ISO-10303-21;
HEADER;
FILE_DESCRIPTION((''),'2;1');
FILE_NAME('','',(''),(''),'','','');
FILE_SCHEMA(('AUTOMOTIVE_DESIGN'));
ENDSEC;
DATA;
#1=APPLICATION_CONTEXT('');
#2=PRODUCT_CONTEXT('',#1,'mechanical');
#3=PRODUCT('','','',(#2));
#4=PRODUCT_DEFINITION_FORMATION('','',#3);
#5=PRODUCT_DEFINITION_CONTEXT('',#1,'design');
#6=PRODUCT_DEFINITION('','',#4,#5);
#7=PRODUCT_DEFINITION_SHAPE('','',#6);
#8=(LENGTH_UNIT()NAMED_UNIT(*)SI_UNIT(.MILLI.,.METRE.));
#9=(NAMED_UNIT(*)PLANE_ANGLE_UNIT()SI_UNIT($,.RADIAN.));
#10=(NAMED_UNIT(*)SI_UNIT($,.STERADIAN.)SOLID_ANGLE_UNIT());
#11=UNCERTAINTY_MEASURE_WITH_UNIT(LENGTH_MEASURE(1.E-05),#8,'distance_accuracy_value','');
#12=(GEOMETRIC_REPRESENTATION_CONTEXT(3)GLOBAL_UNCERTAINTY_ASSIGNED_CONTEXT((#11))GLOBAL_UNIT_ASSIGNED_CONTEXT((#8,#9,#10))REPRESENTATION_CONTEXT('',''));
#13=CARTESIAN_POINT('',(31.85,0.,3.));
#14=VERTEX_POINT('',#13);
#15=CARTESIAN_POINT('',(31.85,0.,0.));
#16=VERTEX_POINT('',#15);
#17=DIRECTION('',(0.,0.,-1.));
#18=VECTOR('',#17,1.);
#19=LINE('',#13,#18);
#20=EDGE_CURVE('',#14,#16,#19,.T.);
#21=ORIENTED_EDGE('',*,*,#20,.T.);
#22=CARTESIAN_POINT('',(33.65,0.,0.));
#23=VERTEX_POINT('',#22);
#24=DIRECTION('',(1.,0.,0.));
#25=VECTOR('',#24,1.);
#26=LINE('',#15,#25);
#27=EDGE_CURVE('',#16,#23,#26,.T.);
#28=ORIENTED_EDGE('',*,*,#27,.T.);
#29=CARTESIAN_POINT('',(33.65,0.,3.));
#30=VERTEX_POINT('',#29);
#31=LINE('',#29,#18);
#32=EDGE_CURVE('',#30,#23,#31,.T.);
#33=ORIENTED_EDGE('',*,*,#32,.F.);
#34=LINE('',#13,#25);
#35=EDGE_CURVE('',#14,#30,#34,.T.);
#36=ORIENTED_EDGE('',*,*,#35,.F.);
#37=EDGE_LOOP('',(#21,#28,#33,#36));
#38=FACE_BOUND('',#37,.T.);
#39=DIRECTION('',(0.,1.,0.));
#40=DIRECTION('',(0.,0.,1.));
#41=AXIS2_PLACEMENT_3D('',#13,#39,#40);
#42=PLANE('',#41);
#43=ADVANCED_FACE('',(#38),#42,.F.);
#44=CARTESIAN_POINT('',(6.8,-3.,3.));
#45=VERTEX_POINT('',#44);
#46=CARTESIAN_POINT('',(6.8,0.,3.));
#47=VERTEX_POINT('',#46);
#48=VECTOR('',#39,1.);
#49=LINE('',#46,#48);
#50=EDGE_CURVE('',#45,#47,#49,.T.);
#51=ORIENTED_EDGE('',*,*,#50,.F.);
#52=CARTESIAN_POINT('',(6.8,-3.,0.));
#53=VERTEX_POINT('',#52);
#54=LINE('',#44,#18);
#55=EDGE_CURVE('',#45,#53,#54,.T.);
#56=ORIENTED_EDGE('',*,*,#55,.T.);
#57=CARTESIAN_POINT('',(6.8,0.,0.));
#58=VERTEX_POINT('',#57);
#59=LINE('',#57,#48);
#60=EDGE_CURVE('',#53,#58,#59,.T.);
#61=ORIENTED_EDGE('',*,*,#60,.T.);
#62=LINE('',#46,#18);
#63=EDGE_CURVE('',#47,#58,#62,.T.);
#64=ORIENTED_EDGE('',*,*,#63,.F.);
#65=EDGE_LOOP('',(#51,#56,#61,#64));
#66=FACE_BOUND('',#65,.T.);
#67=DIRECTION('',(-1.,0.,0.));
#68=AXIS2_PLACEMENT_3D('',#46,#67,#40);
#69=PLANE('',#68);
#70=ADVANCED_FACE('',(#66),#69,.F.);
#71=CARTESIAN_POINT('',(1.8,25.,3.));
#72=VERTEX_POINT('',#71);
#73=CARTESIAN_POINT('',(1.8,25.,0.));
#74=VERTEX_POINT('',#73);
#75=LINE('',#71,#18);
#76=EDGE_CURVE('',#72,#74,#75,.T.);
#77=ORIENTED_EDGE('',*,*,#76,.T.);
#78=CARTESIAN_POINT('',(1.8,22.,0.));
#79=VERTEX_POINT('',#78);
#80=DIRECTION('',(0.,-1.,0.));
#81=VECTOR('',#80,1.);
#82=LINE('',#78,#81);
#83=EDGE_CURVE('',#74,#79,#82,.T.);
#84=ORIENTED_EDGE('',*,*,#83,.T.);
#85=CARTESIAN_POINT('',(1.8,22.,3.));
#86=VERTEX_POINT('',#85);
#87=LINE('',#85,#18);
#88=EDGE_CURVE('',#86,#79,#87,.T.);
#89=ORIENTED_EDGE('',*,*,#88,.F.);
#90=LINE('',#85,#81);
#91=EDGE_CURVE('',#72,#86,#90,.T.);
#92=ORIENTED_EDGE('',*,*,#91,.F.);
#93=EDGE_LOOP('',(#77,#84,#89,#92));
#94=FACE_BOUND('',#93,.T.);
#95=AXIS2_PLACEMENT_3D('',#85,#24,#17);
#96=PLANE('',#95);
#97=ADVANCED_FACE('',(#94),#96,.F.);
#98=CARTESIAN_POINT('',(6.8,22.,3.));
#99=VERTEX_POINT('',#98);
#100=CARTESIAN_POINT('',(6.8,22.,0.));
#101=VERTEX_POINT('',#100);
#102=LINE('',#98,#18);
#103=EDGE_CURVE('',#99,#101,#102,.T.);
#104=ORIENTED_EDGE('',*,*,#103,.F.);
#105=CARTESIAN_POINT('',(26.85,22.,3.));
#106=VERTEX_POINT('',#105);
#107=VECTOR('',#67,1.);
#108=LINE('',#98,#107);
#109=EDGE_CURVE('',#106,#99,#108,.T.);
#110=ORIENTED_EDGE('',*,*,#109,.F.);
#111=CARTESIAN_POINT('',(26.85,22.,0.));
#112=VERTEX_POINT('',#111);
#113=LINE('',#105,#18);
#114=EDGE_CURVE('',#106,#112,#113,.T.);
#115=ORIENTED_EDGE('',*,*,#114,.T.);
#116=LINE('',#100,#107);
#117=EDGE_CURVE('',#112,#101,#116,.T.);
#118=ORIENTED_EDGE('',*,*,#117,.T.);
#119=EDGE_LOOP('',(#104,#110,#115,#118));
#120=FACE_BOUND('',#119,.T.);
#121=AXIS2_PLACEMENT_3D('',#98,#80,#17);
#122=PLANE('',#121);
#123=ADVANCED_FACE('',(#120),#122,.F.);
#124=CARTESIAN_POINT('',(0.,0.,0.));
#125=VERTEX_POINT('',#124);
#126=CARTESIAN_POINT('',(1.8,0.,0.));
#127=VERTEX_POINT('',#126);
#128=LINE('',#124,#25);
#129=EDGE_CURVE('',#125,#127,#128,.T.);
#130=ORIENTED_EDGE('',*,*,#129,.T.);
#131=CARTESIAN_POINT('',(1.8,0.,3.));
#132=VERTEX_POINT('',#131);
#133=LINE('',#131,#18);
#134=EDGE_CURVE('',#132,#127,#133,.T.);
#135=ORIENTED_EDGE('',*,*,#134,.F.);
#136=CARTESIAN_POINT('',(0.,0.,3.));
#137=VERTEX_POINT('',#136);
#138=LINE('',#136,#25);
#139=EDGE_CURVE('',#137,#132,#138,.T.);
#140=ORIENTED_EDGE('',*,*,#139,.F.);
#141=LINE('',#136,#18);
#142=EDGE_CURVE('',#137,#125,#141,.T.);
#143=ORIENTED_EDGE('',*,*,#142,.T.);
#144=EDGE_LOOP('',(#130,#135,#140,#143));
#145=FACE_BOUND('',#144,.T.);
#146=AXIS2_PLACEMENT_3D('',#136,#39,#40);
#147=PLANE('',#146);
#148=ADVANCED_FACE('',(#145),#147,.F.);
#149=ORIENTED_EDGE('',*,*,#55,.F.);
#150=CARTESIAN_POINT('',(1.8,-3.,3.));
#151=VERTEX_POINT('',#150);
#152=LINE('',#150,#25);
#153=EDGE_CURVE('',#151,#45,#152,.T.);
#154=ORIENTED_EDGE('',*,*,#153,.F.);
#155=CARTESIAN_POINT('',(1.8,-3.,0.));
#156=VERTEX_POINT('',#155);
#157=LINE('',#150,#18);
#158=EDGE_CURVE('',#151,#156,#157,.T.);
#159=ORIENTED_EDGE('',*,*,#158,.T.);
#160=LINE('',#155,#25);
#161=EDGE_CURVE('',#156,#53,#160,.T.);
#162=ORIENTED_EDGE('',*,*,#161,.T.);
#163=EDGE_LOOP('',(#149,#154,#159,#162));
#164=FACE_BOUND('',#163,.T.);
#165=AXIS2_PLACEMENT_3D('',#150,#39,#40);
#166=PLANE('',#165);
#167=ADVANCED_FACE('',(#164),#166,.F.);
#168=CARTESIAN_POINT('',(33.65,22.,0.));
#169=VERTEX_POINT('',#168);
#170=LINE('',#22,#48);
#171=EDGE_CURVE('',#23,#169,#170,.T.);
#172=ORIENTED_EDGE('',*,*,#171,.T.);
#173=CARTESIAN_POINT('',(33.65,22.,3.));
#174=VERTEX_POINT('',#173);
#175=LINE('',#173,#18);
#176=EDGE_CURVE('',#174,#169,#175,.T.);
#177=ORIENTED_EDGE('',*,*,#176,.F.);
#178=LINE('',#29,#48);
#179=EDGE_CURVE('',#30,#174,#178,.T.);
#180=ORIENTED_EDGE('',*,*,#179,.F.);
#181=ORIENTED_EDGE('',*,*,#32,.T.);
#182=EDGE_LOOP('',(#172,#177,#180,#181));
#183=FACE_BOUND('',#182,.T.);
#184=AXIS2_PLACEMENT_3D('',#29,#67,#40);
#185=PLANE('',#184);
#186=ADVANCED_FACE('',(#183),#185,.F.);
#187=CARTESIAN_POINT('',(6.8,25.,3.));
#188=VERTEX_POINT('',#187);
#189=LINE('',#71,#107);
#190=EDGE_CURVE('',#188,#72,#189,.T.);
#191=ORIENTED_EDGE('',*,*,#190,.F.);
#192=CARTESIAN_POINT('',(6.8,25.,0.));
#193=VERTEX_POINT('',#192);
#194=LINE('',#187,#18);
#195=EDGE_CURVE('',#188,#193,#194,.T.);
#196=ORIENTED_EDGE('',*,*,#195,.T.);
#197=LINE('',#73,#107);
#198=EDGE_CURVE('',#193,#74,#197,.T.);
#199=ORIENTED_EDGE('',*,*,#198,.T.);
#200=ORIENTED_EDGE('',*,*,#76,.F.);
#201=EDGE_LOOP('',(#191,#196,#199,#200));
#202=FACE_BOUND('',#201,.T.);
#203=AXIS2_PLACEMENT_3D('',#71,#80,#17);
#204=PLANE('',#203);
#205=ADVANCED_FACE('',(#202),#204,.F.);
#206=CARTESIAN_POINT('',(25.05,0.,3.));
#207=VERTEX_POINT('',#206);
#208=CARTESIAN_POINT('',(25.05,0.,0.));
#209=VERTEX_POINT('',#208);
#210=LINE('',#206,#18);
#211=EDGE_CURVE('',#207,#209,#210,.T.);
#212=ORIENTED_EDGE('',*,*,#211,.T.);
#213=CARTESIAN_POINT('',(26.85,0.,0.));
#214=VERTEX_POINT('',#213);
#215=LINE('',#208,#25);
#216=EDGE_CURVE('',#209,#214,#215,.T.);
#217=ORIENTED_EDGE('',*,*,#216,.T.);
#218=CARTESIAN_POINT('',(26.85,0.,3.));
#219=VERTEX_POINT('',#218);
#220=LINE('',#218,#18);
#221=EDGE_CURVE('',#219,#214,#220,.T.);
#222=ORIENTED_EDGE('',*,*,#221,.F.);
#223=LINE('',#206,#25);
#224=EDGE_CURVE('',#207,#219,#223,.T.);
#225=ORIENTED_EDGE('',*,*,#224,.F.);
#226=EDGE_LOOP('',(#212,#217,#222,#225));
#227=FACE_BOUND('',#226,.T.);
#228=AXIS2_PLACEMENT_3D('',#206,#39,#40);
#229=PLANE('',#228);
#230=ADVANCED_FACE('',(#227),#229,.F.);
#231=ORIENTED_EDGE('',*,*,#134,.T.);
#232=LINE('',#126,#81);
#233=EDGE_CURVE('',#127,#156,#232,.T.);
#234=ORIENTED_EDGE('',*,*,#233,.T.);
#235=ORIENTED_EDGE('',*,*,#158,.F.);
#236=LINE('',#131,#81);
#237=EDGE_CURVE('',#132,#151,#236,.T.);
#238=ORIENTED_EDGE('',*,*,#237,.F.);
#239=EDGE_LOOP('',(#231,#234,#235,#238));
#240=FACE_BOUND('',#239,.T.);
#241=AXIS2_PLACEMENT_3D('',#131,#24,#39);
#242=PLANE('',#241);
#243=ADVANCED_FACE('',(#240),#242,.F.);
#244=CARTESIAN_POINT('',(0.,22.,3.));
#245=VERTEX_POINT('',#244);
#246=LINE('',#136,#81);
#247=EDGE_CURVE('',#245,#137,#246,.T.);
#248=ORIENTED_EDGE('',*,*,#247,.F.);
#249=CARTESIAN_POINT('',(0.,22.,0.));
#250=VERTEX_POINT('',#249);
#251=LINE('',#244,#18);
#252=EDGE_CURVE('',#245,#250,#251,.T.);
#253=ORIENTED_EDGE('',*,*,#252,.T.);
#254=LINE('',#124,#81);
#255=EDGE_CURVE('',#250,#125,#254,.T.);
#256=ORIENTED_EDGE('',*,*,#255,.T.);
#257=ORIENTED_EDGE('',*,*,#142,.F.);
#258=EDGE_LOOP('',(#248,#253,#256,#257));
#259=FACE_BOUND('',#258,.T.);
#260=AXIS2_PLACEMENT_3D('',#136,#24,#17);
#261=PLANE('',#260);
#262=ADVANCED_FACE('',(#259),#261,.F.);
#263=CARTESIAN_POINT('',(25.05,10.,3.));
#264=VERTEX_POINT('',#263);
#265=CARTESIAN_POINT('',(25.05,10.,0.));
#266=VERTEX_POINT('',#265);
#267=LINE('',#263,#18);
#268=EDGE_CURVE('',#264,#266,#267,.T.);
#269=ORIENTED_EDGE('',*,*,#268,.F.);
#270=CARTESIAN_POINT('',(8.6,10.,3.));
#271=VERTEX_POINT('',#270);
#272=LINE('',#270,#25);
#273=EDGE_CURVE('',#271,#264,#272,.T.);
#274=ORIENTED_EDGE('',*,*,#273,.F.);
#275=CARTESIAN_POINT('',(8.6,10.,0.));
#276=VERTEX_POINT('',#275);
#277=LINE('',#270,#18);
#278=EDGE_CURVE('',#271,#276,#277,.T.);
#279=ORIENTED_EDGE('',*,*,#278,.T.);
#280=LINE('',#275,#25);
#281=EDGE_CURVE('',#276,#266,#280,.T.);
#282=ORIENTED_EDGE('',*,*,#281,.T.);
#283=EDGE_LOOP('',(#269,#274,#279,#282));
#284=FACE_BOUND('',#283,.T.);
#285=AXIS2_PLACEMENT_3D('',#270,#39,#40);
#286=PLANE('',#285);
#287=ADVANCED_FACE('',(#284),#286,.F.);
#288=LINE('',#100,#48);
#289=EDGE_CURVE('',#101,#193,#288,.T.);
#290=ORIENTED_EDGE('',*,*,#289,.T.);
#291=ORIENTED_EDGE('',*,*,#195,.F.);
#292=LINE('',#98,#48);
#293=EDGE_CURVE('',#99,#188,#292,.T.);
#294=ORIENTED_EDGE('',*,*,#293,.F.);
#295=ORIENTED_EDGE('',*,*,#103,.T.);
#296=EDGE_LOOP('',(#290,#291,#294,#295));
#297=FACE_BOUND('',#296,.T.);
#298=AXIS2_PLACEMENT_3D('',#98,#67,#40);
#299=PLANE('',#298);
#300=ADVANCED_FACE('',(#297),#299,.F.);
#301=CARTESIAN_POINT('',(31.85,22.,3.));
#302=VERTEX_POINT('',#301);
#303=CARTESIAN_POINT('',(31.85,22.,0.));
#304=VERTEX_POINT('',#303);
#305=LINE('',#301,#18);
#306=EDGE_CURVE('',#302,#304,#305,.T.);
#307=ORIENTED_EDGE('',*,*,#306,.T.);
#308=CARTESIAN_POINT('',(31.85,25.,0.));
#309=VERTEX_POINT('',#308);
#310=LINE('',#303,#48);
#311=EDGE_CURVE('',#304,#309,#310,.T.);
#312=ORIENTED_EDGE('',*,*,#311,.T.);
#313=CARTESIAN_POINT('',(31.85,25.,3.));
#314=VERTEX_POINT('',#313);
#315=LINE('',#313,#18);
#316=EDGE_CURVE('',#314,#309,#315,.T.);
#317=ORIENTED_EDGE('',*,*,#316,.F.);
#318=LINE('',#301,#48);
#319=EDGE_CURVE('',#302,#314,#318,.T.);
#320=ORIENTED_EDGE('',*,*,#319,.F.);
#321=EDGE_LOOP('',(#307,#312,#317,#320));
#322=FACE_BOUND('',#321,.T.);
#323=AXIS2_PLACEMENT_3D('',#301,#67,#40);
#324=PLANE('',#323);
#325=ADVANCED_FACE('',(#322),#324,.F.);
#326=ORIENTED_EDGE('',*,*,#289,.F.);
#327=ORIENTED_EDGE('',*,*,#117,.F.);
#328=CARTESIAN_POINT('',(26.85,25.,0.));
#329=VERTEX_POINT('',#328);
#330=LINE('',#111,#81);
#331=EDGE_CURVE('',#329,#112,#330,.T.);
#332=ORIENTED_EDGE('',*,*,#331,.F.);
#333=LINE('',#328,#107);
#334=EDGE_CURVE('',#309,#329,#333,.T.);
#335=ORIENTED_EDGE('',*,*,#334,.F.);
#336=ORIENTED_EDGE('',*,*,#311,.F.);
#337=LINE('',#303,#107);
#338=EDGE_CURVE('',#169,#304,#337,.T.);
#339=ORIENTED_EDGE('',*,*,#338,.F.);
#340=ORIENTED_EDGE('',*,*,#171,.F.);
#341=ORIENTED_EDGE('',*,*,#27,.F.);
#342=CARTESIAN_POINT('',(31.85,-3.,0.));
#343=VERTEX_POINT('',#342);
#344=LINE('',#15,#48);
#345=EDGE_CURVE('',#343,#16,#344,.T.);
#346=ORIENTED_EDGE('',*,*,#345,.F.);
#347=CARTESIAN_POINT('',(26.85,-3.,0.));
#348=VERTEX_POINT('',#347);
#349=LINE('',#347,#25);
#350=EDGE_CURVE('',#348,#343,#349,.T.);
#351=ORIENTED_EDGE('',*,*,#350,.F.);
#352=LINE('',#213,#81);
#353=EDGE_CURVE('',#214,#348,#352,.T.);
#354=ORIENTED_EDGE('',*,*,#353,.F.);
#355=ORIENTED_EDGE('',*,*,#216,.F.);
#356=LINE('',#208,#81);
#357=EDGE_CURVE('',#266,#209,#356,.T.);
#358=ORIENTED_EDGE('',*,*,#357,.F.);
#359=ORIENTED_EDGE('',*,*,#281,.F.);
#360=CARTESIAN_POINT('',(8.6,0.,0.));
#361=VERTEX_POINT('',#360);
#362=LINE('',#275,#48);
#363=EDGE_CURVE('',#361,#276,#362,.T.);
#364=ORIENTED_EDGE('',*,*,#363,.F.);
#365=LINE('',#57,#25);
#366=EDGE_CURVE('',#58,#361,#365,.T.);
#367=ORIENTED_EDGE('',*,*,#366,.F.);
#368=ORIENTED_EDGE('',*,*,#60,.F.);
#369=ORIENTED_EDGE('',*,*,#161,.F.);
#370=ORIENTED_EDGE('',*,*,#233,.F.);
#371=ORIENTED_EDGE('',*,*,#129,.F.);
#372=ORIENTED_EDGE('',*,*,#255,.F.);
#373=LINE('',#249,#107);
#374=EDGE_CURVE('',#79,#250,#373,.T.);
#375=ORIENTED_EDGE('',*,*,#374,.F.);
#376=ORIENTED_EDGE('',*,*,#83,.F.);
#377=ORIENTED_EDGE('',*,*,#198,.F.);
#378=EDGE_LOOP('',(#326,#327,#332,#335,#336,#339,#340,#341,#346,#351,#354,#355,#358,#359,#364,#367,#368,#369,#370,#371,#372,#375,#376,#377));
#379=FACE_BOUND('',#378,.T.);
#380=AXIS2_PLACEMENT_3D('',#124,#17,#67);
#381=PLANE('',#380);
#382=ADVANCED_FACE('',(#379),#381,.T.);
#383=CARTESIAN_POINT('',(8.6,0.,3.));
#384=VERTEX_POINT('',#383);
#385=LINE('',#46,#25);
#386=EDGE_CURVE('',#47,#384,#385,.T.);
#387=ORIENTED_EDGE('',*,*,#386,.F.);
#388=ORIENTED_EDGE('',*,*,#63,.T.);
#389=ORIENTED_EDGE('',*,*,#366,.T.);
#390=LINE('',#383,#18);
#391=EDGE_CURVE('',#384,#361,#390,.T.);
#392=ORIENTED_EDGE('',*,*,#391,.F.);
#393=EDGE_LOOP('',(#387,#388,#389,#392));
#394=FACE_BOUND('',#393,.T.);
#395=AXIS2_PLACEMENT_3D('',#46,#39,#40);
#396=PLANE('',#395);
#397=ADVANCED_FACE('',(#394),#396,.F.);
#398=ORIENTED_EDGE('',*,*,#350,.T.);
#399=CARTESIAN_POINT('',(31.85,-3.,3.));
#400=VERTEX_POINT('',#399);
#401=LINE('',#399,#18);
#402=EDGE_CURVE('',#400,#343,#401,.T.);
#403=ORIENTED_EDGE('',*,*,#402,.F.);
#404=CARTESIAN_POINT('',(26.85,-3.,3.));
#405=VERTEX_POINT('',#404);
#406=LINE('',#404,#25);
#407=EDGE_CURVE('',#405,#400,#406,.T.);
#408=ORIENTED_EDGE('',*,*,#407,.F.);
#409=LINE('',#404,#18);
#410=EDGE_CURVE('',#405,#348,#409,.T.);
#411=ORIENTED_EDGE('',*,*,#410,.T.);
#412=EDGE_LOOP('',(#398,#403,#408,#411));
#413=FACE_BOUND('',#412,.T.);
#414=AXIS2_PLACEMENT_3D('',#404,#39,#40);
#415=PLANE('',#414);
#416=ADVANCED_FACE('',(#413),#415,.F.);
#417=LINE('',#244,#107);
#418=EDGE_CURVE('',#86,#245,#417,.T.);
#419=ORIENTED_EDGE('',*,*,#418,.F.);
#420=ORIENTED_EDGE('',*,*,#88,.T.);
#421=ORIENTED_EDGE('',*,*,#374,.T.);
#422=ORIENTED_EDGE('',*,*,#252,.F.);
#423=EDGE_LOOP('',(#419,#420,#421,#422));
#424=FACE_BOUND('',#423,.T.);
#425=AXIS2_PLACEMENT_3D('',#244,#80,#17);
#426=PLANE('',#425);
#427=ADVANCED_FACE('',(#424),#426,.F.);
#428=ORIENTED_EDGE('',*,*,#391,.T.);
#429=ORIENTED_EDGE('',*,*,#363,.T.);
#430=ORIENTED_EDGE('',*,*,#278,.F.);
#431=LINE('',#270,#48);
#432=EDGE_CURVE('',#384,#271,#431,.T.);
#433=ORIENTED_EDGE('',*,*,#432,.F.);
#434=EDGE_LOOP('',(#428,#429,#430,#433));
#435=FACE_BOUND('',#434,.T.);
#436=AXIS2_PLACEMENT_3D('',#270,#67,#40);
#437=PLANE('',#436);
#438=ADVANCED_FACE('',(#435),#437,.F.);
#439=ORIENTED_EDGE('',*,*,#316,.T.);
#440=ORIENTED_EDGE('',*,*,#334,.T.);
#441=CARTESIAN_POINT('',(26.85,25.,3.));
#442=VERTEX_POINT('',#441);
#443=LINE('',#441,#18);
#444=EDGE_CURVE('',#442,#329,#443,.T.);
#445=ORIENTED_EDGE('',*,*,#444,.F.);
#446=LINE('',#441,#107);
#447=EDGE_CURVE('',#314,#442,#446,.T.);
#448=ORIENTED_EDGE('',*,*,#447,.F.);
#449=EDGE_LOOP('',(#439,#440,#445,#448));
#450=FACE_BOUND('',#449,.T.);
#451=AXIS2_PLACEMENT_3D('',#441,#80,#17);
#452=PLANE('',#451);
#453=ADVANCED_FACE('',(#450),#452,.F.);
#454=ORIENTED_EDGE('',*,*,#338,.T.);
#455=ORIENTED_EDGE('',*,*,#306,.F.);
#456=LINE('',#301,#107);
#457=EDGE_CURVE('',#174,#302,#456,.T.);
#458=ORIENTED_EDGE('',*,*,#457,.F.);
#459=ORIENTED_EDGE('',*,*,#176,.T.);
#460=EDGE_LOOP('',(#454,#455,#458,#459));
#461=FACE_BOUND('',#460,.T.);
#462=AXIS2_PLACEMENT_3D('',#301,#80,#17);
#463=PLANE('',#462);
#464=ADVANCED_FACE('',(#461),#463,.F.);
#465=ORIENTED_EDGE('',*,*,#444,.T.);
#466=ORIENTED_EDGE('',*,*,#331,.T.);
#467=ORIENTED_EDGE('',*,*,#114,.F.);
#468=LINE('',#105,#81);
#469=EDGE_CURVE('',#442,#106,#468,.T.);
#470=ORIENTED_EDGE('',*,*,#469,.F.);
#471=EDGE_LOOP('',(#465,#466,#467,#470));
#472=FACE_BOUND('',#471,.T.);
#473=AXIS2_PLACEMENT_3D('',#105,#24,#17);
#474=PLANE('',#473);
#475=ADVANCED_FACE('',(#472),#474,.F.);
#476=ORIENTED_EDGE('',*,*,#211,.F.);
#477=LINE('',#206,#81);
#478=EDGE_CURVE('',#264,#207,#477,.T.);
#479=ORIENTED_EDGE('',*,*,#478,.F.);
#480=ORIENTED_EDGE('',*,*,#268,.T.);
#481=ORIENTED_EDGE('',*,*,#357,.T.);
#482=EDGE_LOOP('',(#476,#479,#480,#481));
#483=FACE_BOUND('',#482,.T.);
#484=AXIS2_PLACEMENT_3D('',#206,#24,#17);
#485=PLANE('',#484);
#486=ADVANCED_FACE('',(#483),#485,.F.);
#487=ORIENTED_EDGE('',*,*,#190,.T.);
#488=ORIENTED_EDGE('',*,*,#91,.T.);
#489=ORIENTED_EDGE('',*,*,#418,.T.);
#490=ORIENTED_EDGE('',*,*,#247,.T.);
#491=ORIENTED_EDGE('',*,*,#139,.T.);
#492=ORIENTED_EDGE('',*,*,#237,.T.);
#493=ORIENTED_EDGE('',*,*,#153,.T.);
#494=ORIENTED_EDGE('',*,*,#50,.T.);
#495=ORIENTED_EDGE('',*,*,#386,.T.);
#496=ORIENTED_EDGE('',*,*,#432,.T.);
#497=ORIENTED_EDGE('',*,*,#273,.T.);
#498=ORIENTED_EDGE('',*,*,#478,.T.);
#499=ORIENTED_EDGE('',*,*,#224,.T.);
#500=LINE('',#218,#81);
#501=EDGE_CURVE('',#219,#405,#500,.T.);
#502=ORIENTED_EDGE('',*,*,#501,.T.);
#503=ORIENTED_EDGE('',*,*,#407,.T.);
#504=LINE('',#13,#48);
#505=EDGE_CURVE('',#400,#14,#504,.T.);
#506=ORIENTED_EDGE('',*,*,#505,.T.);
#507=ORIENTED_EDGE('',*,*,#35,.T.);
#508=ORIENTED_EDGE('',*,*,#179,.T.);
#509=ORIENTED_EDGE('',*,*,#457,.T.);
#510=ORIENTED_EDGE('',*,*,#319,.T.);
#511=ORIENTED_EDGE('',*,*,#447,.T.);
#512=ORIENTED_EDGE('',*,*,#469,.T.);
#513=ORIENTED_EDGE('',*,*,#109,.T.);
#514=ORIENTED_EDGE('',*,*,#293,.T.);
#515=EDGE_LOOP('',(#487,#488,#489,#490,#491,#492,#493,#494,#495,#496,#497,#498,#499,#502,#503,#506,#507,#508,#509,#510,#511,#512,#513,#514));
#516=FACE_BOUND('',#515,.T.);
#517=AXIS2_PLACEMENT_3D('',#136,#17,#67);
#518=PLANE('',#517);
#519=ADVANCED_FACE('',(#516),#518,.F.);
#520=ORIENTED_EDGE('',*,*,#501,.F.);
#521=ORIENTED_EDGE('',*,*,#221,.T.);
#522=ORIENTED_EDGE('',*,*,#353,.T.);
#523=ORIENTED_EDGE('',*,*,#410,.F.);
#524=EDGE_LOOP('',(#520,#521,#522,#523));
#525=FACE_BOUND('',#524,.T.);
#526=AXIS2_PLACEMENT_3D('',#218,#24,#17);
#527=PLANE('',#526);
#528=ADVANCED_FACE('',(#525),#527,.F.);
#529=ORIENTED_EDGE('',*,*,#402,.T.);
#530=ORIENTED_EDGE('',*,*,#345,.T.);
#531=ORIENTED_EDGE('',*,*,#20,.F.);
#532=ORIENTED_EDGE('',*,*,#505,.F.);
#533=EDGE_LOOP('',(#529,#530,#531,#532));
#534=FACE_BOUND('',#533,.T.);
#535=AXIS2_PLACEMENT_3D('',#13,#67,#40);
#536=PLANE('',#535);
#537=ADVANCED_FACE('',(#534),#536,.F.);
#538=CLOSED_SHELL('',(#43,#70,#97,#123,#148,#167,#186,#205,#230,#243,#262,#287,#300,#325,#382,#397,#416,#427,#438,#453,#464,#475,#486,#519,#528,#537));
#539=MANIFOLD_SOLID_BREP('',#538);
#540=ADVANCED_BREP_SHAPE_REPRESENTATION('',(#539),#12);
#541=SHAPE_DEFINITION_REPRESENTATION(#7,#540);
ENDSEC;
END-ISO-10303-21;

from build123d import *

# Parameters (mm, degrees)
SALIENTE_EXTRUIR1_DEPTH = 3


with BuildPart() as part:
    # Croquis3 → Saliente-Extruir1 (new body)
    with BuildSketch(Plane.XY):
        Polygon((25.05, 0), (26.85, 0), (26.85, -3), (31.85, -3), (31.85, 0), (33.65, 0), (33.65, 22), (31.85, 22), (31.85, 25), (26.85, 25), (26.85, 22), (6.8, 22), (6.8, 25), (1.8, 25), (1.8, 22), (0, 22), (0, 0), (1.8, 0), (1.8, -3), (6.8, -3), (6.8, 0), (8.6, 0), (8.6, 10), (25.05, 10), align=None)
    extrude(amount=SALIENTE_EXTRUIR1_DEPTH)


solid = part.part
